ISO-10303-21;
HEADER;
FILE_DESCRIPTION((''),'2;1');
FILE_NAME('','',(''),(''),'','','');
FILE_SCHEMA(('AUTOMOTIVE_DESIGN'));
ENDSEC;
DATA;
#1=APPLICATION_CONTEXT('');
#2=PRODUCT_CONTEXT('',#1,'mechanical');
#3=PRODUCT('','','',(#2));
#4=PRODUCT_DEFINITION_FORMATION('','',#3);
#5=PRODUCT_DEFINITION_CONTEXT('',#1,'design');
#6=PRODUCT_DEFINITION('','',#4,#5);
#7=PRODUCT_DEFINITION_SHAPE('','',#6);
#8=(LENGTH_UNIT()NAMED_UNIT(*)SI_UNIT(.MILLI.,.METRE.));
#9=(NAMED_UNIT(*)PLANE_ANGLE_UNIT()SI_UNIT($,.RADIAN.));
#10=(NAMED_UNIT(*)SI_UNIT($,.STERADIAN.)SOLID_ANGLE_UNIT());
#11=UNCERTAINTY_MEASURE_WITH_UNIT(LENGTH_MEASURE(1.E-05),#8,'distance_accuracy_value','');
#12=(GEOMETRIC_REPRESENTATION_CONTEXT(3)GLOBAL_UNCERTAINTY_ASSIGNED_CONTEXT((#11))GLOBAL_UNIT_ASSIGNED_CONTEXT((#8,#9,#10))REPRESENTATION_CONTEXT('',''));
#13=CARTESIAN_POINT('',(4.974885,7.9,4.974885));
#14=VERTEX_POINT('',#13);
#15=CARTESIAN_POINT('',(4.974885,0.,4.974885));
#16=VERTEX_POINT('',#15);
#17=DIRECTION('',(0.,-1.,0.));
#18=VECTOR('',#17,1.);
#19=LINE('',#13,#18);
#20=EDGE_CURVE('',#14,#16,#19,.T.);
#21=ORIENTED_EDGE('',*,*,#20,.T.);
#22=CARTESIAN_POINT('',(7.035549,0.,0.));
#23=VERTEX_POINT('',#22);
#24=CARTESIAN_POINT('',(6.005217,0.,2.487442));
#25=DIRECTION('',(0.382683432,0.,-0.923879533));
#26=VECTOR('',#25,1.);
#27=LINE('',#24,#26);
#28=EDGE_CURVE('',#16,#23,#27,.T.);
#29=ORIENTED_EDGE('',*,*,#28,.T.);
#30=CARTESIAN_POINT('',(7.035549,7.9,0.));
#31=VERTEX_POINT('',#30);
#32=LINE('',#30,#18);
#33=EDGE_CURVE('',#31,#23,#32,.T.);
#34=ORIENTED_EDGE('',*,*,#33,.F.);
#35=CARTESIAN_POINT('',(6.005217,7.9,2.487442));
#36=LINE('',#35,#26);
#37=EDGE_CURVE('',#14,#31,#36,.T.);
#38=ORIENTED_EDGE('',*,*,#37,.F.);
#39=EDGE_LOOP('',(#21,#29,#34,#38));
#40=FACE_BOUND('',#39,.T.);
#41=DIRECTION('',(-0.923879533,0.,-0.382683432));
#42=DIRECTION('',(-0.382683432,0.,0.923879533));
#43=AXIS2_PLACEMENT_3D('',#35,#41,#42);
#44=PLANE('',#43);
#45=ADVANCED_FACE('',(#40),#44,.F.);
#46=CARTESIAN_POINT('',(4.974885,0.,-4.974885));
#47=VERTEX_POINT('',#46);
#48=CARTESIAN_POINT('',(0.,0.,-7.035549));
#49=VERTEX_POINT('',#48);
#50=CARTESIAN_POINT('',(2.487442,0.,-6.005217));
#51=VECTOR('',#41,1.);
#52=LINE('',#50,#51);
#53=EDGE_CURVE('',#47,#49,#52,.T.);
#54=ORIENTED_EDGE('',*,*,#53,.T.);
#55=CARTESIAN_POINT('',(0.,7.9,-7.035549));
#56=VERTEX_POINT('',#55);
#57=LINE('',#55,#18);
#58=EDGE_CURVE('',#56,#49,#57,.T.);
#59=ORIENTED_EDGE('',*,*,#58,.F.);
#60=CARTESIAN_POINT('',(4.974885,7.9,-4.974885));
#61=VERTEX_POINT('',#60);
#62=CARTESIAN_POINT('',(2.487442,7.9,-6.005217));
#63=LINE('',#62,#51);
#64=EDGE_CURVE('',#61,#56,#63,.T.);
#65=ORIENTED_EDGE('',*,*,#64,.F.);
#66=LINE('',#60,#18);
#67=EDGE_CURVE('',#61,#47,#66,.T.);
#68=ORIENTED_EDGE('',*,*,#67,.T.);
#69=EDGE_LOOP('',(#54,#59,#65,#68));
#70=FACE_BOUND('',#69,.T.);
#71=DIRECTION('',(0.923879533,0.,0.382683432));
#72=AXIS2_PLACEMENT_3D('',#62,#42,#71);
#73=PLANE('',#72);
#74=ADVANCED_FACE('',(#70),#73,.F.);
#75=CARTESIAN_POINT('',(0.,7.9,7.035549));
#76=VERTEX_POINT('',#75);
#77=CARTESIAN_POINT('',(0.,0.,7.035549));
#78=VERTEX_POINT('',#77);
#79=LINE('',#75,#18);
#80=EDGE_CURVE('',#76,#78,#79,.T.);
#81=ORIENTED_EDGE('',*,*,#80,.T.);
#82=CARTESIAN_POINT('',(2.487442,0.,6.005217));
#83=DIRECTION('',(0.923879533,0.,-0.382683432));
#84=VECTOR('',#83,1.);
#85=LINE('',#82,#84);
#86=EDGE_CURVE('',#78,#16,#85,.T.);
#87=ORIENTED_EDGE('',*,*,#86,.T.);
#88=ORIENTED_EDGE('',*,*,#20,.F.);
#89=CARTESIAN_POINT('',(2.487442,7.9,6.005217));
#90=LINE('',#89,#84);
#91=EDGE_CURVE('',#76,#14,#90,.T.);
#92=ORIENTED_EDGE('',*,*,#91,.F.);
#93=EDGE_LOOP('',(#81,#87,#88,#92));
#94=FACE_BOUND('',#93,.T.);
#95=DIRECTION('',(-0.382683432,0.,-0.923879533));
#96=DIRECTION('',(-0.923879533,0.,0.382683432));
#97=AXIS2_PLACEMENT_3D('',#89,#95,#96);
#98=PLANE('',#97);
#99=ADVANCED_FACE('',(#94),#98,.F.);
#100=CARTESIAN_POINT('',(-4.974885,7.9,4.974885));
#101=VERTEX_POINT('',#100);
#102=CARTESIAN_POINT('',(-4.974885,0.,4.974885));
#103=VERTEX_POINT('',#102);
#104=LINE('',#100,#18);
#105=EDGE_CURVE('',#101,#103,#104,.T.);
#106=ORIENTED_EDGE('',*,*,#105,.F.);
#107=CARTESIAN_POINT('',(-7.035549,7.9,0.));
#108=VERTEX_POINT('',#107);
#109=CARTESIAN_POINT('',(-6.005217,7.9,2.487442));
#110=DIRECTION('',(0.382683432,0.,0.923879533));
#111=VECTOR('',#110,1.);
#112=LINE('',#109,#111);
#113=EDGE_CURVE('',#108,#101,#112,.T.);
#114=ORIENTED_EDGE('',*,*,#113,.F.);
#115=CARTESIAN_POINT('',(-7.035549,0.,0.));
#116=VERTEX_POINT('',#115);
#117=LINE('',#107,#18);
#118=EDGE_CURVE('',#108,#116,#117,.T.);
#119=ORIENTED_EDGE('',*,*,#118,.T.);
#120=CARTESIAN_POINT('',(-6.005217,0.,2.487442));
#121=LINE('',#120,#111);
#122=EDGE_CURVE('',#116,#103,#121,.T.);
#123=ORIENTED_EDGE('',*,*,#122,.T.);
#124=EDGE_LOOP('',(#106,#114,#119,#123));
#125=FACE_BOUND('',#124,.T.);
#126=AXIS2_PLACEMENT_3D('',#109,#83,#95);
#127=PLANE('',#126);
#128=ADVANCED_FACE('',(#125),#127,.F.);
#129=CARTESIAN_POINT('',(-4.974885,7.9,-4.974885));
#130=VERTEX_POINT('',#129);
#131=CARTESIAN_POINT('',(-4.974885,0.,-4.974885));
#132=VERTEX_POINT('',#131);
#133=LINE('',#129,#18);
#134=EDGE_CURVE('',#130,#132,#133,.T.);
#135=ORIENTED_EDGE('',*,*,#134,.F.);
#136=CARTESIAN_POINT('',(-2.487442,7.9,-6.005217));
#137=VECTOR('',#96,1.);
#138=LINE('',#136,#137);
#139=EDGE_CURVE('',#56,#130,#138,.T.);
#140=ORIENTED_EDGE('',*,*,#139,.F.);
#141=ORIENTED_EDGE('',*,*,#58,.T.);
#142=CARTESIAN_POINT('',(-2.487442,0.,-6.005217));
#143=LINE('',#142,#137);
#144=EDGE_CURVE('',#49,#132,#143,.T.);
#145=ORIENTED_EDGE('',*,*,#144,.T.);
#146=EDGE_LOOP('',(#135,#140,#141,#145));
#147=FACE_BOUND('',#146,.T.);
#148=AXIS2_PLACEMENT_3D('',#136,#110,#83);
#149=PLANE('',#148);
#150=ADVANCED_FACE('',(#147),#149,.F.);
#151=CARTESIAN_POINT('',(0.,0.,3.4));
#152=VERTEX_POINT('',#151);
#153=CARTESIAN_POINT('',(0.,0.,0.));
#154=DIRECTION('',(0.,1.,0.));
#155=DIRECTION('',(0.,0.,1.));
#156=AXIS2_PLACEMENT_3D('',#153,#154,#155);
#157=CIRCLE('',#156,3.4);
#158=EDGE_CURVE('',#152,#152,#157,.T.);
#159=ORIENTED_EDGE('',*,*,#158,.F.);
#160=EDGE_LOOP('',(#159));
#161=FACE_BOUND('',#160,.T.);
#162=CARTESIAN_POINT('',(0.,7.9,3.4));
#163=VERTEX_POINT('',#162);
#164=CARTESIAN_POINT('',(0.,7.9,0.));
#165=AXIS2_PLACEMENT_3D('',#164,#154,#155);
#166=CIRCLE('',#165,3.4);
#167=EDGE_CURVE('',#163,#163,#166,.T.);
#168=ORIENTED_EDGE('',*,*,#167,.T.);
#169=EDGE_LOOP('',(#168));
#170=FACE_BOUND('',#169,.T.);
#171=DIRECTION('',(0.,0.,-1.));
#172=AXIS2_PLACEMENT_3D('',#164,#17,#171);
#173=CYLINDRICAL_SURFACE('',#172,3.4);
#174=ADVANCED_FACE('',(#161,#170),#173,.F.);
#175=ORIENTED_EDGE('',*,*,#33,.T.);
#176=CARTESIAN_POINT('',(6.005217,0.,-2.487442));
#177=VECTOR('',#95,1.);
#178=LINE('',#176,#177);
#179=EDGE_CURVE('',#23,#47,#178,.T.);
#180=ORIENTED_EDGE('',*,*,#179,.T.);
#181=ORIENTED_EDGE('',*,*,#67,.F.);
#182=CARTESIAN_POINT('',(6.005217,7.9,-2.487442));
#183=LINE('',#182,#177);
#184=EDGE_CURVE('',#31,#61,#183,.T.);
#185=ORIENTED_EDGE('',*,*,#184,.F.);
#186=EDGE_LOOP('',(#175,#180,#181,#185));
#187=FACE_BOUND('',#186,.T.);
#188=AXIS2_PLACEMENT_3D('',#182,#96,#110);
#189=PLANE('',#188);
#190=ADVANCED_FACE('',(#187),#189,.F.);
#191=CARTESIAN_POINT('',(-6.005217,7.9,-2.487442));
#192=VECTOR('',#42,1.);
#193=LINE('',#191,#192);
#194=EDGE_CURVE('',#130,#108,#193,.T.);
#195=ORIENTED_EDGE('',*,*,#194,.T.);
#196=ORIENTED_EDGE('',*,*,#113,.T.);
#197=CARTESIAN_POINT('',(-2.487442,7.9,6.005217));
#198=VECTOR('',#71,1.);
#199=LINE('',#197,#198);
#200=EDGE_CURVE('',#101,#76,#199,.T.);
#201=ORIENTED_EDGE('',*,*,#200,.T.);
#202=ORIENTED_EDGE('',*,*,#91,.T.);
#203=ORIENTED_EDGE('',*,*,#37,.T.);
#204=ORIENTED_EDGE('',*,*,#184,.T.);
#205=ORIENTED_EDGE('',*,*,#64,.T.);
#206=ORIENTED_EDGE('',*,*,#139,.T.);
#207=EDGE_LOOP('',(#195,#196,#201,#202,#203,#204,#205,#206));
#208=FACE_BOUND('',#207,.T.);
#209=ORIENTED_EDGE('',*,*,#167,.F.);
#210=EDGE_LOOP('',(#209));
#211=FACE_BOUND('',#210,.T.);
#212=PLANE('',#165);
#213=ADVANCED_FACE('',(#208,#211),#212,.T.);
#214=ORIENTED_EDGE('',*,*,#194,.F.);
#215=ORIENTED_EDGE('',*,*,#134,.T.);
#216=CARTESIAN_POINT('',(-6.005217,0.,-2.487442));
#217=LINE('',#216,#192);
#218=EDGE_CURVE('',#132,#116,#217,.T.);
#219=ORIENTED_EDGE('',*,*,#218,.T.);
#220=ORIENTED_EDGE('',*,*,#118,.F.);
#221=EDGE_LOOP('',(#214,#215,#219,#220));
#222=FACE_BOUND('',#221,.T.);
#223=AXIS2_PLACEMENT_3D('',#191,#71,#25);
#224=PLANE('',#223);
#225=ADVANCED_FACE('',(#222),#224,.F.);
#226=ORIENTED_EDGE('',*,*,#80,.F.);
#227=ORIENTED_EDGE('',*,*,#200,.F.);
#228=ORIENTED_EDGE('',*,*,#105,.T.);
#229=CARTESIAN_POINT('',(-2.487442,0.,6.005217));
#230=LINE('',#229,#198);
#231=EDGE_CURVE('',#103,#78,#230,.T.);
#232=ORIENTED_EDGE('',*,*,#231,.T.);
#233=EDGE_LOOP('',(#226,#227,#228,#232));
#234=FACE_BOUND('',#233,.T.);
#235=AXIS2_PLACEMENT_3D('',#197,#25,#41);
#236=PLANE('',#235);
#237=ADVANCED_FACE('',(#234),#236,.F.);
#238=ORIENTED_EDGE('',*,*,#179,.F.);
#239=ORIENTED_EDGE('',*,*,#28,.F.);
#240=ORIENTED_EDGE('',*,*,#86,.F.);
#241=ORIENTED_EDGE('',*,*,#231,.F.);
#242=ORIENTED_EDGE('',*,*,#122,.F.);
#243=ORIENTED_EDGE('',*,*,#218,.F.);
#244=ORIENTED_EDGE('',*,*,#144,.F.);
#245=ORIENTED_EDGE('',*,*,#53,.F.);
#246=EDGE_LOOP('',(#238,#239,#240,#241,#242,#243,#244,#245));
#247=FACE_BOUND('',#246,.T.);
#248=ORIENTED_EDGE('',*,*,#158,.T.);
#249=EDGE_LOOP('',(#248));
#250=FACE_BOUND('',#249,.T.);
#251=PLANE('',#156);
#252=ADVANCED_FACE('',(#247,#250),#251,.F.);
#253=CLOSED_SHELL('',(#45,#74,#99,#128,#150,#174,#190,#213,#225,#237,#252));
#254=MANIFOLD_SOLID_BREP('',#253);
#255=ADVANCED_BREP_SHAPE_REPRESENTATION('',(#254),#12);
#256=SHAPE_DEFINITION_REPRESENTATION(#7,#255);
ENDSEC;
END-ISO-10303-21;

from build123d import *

# Parameters (mm, degrees)
SKETCH1_R           = 3.4
BOSS_EXTRUDE1_DEPTH = 7.9


with BuildPart() as part:
    # Sketch1 → Boss-Extrude1 (new body)
    with BuildSketch(Plane(origin=(0, 0, 0), x_dir=(1, 0, 0), z_dir=(0, 1, 0))):
        Polygon((0, -7.035549302), (4.974884621, -4.974884621), (7.035549302, 0), (4.974884621, 4.974884621), (0, 7.035549302), (-4.974884621, 4.974884621), (-7.035549302, 0), (-4.974884621, -4.974884621), align=None)
        Circle(SKETCH1_R, mode=Mode.SUBTRACT)
    extrude(amount=BOSS_EXTRUDE1_DEPTH)


solid = part.part
